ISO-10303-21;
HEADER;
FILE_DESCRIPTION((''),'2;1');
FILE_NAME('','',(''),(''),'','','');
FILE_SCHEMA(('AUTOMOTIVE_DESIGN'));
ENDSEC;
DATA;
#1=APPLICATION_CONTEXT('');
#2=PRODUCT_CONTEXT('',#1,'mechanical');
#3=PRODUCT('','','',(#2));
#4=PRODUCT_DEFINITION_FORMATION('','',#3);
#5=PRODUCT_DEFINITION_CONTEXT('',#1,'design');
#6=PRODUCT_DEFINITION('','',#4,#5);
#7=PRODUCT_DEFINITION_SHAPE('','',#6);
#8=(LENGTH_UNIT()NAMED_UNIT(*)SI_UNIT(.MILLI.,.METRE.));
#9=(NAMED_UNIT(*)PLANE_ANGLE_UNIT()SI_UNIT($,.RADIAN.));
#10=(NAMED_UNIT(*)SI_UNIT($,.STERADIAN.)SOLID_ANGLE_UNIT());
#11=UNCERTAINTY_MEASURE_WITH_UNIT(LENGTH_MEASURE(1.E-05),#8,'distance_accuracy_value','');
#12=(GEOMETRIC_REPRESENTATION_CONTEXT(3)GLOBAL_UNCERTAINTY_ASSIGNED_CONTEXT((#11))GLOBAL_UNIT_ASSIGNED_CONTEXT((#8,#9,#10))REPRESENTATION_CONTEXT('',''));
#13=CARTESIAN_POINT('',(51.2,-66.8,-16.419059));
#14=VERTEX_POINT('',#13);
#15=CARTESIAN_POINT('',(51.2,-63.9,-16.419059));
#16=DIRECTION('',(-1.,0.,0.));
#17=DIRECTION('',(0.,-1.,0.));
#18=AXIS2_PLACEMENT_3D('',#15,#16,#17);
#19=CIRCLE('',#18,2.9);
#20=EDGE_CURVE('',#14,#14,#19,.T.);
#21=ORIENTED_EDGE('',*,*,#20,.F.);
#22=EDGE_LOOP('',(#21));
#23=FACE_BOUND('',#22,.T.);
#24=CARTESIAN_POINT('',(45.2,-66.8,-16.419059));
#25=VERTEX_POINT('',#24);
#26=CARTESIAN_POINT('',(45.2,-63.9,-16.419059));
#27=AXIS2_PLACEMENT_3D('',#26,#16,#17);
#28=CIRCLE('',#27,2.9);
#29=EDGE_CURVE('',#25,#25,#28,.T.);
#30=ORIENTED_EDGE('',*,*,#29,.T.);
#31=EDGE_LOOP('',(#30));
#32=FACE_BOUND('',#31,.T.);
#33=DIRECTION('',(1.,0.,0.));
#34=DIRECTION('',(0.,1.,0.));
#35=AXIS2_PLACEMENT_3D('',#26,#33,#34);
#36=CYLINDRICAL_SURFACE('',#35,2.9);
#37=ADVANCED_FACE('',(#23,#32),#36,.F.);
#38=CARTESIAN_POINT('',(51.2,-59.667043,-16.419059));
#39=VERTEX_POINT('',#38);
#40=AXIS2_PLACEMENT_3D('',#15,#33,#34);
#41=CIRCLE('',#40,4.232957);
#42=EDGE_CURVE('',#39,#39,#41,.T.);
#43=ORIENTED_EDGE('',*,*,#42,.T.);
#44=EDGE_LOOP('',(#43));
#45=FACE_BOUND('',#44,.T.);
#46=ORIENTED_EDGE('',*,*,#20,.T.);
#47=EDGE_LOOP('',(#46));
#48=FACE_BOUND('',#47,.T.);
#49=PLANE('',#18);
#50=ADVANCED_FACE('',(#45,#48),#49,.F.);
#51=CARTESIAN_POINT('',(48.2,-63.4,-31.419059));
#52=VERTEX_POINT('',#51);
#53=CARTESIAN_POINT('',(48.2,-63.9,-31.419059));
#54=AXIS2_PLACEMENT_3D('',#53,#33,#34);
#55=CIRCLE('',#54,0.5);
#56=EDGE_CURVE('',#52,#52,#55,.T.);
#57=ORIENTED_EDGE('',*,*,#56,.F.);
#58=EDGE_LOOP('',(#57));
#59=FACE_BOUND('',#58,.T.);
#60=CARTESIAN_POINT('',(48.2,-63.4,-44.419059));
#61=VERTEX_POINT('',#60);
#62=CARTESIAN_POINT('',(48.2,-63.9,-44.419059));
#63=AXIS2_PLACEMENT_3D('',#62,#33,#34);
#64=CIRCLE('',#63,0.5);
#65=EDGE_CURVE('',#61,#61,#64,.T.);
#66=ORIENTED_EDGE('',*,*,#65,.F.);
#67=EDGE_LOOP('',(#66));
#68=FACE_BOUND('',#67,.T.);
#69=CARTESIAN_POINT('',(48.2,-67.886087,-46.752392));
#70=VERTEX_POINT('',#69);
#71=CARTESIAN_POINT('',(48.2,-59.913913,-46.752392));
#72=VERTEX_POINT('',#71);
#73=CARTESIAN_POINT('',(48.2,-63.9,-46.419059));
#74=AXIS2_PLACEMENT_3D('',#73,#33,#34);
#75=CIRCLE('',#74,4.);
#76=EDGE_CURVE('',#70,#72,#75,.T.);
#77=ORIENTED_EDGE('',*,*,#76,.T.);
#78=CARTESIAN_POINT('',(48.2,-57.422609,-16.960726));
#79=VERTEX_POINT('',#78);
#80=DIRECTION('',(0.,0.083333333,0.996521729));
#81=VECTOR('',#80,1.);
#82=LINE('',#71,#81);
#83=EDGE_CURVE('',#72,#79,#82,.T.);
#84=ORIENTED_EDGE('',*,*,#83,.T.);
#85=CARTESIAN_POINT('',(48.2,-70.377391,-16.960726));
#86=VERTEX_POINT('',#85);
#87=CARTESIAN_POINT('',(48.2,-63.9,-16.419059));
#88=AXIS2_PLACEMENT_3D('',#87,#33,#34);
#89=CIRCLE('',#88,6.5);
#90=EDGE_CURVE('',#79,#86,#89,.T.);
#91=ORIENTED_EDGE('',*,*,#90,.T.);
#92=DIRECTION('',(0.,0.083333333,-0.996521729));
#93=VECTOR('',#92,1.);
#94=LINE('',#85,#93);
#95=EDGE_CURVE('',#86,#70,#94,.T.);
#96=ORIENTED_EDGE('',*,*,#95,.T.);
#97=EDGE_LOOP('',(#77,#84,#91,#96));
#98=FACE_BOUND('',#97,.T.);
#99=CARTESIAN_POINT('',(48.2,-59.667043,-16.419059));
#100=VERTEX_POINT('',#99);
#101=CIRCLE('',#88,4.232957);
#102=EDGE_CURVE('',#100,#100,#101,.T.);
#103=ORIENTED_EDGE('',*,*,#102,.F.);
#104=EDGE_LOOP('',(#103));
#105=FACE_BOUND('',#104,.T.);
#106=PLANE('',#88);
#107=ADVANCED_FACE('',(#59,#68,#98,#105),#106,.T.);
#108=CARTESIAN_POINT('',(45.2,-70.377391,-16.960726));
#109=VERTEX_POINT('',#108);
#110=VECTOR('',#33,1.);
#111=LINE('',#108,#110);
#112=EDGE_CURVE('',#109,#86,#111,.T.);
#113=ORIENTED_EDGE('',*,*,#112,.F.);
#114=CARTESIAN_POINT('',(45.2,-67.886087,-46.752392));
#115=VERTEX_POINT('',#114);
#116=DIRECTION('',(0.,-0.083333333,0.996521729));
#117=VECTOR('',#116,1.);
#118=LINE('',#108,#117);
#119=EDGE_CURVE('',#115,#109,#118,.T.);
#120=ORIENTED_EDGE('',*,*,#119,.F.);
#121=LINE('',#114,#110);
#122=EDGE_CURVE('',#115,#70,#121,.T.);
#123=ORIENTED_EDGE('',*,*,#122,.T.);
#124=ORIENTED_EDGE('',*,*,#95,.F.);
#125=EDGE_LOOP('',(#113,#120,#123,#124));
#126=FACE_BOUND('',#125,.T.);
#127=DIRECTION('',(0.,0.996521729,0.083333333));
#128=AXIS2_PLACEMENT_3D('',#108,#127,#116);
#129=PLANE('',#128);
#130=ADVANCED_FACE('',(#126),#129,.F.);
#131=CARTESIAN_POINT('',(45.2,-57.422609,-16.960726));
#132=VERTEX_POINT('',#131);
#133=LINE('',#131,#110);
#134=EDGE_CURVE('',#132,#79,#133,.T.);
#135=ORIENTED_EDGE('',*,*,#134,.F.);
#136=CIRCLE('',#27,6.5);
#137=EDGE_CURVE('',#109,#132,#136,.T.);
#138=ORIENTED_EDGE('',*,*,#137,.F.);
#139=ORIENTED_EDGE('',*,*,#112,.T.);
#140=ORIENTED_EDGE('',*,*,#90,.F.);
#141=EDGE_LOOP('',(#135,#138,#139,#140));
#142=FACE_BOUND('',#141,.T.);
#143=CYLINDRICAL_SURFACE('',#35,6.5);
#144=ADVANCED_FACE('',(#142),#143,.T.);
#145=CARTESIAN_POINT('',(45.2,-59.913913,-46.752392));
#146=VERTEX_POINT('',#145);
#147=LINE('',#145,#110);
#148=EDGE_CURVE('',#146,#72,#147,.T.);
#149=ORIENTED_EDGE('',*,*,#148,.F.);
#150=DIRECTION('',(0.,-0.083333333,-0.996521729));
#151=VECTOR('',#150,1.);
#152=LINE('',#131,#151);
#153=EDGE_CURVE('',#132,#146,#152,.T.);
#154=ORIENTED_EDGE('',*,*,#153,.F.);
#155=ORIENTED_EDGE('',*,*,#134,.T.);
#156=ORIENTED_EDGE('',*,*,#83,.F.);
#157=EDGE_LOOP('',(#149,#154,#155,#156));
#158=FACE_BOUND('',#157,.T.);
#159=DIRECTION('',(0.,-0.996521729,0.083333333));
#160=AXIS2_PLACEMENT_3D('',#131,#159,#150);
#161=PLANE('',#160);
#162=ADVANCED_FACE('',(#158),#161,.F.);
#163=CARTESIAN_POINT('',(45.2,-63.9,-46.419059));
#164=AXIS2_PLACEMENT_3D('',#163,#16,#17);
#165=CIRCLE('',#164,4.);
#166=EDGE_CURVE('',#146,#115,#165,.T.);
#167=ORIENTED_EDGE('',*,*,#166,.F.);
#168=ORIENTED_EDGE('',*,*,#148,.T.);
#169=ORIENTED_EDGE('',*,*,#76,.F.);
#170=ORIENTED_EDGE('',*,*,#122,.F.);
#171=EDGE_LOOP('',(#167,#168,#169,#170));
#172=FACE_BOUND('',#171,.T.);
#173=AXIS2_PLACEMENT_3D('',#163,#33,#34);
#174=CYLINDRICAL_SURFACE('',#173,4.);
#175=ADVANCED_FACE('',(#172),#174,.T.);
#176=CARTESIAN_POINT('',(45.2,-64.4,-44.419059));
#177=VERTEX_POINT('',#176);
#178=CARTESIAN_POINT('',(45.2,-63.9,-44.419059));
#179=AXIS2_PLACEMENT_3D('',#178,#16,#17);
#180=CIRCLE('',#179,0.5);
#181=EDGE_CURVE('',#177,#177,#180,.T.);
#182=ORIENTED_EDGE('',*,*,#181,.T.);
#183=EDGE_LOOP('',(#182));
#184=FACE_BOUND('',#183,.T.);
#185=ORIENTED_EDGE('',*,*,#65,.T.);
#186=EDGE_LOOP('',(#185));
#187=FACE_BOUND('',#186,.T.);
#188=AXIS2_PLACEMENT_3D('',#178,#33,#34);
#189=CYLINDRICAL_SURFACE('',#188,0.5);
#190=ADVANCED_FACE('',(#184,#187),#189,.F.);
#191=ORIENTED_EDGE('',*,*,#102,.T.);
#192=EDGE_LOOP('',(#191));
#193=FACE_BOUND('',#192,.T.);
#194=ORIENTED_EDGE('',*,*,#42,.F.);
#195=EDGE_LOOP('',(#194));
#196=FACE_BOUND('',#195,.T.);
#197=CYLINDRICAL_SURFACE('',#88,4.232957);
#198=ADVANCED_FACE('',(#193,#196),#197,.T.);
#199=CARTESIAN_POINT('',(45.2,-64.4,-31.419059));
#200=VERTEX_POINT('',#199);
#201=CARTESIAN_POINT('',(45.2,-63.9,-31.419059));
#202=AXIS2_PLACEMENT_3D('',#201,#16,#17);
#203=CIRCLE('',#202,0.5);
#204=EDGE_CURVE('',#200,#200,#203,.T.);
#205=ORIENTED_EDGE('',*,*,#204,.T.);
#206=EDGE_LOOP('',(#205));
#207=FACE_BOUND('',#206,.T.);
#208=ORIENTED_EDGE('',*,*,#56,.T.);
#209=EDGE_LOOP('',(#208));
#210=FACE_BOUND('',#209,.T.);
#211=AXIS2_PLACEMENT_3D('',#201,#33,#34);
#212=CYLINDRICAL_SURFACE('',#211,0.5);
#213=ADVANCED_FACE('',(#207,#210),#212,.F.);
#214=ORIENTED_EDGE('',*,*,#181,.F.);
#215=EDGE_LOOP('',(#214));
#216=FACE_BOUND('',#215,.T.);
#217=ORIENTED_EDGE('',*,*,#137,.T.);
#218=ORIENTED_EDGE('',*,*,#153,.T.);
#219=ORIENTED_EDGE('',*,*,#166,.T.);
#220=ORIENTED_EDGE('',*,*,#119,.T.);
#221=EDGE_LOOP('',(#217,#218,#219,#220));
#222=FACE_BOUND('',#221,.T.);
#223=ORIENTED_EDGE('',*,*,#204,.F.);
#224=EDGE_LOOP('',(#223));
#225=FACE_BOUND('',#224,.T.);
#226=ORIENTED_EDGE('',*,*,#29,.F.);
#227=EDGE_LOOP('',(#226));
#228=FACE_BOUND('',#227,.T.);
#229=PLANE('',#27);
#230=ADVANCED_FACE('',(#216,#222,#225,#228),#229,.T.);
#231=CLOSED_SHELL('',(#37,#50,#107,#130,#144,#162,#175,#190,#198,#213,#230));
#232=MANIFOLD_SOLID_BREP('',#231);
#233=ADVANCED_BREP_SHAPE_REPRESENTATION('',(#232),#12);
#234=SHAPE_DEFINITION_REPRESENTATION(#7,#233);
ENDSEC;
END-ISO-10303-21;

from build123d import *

# Parameters (mm, degrees)
ESQUISSE1_R             = 2.9
ESQUISSE1_R_2           = 0.5
BOSS_EXTRU_1_DEPTH      = 6
ESQUISSE2_R             = 4.232956527
ENL_V_MAT_EXTRU_1_DEPTH = 3


with BuildPart() as part:
    # Esquisse1 → Boss.-Extru.1 (new body)
    with BuildSketch(Plane.ZY.offset(-51.2)):
        with BuildLine():
            Line((-16.960725558, -57.422608764), (-46.752392225, -59.913913086))
            ThreePointArc((-46.752392225, -59.913913086), (-50.419058892, -63.9), (-46.752392225, -67.886086914))
            Line((-46.752392225, -67.886086914), (-16.960725558, -70.377391236))
            ThreePointArc((-16.960725558, -70.377391236), (-9.919058892, -63.9), (-16.960725558, -57.422608764))
        make_face()
        with Locations(Location((-16.419058892, -63.9, 0), (0, 0, 270))):
            Circle(ESQUISSE1_R, mode=Mode.SUBTRACT)
        with Locations(Location((-31.419058892, -63.9, 0), (0, 0, 270))):
            Circle(ESQUISSE1_R_2, mode=Mode.SUBTRACT)
        with Locations(Location((-44.419058892, -63.9, 0), (0, 0, 270))):
            Circle(ESQUISSE1_R_2, mode=Mode.SUBTRACT)
    extrude(amount=BOSS_EXTRU_1_DEPTH)

    # Esquisse2 → Enlèv. mat.-Extru.1 (cut)
    with BuildSketch(Plane(origin=(51.2, 0, 0), x_dir=(0, 0, -1), z_dir=(1, 0, 0))):
        with BuildLine():
            Line((16.960725558, -70.377391236), (46.752392225, -67.886086914))
            ThreePointArc((46.752392225, -67.886086914), (50.419058892, -63.9), (46.752392225, -59.913913086))
            Line((46.752392225, -59.913913086), (16.960725558, -57.422608764))
            ThreePointArc((16.960725558, -57.422608764), (9.919058892, -63.9), (16.960725558, -70.377391236))
        make_face()
        with Locations(Location((16.419058892, -63.9, 0), (0, 0, 90))):
            Circle(ESQUISSE2_R, mode=Mode.SUBTRACT)
    extrude(amount=-ENL_V_MAT_EXTRU_1_DEPTH, mode=Mode.SUBTRACT)


solid = part.part
